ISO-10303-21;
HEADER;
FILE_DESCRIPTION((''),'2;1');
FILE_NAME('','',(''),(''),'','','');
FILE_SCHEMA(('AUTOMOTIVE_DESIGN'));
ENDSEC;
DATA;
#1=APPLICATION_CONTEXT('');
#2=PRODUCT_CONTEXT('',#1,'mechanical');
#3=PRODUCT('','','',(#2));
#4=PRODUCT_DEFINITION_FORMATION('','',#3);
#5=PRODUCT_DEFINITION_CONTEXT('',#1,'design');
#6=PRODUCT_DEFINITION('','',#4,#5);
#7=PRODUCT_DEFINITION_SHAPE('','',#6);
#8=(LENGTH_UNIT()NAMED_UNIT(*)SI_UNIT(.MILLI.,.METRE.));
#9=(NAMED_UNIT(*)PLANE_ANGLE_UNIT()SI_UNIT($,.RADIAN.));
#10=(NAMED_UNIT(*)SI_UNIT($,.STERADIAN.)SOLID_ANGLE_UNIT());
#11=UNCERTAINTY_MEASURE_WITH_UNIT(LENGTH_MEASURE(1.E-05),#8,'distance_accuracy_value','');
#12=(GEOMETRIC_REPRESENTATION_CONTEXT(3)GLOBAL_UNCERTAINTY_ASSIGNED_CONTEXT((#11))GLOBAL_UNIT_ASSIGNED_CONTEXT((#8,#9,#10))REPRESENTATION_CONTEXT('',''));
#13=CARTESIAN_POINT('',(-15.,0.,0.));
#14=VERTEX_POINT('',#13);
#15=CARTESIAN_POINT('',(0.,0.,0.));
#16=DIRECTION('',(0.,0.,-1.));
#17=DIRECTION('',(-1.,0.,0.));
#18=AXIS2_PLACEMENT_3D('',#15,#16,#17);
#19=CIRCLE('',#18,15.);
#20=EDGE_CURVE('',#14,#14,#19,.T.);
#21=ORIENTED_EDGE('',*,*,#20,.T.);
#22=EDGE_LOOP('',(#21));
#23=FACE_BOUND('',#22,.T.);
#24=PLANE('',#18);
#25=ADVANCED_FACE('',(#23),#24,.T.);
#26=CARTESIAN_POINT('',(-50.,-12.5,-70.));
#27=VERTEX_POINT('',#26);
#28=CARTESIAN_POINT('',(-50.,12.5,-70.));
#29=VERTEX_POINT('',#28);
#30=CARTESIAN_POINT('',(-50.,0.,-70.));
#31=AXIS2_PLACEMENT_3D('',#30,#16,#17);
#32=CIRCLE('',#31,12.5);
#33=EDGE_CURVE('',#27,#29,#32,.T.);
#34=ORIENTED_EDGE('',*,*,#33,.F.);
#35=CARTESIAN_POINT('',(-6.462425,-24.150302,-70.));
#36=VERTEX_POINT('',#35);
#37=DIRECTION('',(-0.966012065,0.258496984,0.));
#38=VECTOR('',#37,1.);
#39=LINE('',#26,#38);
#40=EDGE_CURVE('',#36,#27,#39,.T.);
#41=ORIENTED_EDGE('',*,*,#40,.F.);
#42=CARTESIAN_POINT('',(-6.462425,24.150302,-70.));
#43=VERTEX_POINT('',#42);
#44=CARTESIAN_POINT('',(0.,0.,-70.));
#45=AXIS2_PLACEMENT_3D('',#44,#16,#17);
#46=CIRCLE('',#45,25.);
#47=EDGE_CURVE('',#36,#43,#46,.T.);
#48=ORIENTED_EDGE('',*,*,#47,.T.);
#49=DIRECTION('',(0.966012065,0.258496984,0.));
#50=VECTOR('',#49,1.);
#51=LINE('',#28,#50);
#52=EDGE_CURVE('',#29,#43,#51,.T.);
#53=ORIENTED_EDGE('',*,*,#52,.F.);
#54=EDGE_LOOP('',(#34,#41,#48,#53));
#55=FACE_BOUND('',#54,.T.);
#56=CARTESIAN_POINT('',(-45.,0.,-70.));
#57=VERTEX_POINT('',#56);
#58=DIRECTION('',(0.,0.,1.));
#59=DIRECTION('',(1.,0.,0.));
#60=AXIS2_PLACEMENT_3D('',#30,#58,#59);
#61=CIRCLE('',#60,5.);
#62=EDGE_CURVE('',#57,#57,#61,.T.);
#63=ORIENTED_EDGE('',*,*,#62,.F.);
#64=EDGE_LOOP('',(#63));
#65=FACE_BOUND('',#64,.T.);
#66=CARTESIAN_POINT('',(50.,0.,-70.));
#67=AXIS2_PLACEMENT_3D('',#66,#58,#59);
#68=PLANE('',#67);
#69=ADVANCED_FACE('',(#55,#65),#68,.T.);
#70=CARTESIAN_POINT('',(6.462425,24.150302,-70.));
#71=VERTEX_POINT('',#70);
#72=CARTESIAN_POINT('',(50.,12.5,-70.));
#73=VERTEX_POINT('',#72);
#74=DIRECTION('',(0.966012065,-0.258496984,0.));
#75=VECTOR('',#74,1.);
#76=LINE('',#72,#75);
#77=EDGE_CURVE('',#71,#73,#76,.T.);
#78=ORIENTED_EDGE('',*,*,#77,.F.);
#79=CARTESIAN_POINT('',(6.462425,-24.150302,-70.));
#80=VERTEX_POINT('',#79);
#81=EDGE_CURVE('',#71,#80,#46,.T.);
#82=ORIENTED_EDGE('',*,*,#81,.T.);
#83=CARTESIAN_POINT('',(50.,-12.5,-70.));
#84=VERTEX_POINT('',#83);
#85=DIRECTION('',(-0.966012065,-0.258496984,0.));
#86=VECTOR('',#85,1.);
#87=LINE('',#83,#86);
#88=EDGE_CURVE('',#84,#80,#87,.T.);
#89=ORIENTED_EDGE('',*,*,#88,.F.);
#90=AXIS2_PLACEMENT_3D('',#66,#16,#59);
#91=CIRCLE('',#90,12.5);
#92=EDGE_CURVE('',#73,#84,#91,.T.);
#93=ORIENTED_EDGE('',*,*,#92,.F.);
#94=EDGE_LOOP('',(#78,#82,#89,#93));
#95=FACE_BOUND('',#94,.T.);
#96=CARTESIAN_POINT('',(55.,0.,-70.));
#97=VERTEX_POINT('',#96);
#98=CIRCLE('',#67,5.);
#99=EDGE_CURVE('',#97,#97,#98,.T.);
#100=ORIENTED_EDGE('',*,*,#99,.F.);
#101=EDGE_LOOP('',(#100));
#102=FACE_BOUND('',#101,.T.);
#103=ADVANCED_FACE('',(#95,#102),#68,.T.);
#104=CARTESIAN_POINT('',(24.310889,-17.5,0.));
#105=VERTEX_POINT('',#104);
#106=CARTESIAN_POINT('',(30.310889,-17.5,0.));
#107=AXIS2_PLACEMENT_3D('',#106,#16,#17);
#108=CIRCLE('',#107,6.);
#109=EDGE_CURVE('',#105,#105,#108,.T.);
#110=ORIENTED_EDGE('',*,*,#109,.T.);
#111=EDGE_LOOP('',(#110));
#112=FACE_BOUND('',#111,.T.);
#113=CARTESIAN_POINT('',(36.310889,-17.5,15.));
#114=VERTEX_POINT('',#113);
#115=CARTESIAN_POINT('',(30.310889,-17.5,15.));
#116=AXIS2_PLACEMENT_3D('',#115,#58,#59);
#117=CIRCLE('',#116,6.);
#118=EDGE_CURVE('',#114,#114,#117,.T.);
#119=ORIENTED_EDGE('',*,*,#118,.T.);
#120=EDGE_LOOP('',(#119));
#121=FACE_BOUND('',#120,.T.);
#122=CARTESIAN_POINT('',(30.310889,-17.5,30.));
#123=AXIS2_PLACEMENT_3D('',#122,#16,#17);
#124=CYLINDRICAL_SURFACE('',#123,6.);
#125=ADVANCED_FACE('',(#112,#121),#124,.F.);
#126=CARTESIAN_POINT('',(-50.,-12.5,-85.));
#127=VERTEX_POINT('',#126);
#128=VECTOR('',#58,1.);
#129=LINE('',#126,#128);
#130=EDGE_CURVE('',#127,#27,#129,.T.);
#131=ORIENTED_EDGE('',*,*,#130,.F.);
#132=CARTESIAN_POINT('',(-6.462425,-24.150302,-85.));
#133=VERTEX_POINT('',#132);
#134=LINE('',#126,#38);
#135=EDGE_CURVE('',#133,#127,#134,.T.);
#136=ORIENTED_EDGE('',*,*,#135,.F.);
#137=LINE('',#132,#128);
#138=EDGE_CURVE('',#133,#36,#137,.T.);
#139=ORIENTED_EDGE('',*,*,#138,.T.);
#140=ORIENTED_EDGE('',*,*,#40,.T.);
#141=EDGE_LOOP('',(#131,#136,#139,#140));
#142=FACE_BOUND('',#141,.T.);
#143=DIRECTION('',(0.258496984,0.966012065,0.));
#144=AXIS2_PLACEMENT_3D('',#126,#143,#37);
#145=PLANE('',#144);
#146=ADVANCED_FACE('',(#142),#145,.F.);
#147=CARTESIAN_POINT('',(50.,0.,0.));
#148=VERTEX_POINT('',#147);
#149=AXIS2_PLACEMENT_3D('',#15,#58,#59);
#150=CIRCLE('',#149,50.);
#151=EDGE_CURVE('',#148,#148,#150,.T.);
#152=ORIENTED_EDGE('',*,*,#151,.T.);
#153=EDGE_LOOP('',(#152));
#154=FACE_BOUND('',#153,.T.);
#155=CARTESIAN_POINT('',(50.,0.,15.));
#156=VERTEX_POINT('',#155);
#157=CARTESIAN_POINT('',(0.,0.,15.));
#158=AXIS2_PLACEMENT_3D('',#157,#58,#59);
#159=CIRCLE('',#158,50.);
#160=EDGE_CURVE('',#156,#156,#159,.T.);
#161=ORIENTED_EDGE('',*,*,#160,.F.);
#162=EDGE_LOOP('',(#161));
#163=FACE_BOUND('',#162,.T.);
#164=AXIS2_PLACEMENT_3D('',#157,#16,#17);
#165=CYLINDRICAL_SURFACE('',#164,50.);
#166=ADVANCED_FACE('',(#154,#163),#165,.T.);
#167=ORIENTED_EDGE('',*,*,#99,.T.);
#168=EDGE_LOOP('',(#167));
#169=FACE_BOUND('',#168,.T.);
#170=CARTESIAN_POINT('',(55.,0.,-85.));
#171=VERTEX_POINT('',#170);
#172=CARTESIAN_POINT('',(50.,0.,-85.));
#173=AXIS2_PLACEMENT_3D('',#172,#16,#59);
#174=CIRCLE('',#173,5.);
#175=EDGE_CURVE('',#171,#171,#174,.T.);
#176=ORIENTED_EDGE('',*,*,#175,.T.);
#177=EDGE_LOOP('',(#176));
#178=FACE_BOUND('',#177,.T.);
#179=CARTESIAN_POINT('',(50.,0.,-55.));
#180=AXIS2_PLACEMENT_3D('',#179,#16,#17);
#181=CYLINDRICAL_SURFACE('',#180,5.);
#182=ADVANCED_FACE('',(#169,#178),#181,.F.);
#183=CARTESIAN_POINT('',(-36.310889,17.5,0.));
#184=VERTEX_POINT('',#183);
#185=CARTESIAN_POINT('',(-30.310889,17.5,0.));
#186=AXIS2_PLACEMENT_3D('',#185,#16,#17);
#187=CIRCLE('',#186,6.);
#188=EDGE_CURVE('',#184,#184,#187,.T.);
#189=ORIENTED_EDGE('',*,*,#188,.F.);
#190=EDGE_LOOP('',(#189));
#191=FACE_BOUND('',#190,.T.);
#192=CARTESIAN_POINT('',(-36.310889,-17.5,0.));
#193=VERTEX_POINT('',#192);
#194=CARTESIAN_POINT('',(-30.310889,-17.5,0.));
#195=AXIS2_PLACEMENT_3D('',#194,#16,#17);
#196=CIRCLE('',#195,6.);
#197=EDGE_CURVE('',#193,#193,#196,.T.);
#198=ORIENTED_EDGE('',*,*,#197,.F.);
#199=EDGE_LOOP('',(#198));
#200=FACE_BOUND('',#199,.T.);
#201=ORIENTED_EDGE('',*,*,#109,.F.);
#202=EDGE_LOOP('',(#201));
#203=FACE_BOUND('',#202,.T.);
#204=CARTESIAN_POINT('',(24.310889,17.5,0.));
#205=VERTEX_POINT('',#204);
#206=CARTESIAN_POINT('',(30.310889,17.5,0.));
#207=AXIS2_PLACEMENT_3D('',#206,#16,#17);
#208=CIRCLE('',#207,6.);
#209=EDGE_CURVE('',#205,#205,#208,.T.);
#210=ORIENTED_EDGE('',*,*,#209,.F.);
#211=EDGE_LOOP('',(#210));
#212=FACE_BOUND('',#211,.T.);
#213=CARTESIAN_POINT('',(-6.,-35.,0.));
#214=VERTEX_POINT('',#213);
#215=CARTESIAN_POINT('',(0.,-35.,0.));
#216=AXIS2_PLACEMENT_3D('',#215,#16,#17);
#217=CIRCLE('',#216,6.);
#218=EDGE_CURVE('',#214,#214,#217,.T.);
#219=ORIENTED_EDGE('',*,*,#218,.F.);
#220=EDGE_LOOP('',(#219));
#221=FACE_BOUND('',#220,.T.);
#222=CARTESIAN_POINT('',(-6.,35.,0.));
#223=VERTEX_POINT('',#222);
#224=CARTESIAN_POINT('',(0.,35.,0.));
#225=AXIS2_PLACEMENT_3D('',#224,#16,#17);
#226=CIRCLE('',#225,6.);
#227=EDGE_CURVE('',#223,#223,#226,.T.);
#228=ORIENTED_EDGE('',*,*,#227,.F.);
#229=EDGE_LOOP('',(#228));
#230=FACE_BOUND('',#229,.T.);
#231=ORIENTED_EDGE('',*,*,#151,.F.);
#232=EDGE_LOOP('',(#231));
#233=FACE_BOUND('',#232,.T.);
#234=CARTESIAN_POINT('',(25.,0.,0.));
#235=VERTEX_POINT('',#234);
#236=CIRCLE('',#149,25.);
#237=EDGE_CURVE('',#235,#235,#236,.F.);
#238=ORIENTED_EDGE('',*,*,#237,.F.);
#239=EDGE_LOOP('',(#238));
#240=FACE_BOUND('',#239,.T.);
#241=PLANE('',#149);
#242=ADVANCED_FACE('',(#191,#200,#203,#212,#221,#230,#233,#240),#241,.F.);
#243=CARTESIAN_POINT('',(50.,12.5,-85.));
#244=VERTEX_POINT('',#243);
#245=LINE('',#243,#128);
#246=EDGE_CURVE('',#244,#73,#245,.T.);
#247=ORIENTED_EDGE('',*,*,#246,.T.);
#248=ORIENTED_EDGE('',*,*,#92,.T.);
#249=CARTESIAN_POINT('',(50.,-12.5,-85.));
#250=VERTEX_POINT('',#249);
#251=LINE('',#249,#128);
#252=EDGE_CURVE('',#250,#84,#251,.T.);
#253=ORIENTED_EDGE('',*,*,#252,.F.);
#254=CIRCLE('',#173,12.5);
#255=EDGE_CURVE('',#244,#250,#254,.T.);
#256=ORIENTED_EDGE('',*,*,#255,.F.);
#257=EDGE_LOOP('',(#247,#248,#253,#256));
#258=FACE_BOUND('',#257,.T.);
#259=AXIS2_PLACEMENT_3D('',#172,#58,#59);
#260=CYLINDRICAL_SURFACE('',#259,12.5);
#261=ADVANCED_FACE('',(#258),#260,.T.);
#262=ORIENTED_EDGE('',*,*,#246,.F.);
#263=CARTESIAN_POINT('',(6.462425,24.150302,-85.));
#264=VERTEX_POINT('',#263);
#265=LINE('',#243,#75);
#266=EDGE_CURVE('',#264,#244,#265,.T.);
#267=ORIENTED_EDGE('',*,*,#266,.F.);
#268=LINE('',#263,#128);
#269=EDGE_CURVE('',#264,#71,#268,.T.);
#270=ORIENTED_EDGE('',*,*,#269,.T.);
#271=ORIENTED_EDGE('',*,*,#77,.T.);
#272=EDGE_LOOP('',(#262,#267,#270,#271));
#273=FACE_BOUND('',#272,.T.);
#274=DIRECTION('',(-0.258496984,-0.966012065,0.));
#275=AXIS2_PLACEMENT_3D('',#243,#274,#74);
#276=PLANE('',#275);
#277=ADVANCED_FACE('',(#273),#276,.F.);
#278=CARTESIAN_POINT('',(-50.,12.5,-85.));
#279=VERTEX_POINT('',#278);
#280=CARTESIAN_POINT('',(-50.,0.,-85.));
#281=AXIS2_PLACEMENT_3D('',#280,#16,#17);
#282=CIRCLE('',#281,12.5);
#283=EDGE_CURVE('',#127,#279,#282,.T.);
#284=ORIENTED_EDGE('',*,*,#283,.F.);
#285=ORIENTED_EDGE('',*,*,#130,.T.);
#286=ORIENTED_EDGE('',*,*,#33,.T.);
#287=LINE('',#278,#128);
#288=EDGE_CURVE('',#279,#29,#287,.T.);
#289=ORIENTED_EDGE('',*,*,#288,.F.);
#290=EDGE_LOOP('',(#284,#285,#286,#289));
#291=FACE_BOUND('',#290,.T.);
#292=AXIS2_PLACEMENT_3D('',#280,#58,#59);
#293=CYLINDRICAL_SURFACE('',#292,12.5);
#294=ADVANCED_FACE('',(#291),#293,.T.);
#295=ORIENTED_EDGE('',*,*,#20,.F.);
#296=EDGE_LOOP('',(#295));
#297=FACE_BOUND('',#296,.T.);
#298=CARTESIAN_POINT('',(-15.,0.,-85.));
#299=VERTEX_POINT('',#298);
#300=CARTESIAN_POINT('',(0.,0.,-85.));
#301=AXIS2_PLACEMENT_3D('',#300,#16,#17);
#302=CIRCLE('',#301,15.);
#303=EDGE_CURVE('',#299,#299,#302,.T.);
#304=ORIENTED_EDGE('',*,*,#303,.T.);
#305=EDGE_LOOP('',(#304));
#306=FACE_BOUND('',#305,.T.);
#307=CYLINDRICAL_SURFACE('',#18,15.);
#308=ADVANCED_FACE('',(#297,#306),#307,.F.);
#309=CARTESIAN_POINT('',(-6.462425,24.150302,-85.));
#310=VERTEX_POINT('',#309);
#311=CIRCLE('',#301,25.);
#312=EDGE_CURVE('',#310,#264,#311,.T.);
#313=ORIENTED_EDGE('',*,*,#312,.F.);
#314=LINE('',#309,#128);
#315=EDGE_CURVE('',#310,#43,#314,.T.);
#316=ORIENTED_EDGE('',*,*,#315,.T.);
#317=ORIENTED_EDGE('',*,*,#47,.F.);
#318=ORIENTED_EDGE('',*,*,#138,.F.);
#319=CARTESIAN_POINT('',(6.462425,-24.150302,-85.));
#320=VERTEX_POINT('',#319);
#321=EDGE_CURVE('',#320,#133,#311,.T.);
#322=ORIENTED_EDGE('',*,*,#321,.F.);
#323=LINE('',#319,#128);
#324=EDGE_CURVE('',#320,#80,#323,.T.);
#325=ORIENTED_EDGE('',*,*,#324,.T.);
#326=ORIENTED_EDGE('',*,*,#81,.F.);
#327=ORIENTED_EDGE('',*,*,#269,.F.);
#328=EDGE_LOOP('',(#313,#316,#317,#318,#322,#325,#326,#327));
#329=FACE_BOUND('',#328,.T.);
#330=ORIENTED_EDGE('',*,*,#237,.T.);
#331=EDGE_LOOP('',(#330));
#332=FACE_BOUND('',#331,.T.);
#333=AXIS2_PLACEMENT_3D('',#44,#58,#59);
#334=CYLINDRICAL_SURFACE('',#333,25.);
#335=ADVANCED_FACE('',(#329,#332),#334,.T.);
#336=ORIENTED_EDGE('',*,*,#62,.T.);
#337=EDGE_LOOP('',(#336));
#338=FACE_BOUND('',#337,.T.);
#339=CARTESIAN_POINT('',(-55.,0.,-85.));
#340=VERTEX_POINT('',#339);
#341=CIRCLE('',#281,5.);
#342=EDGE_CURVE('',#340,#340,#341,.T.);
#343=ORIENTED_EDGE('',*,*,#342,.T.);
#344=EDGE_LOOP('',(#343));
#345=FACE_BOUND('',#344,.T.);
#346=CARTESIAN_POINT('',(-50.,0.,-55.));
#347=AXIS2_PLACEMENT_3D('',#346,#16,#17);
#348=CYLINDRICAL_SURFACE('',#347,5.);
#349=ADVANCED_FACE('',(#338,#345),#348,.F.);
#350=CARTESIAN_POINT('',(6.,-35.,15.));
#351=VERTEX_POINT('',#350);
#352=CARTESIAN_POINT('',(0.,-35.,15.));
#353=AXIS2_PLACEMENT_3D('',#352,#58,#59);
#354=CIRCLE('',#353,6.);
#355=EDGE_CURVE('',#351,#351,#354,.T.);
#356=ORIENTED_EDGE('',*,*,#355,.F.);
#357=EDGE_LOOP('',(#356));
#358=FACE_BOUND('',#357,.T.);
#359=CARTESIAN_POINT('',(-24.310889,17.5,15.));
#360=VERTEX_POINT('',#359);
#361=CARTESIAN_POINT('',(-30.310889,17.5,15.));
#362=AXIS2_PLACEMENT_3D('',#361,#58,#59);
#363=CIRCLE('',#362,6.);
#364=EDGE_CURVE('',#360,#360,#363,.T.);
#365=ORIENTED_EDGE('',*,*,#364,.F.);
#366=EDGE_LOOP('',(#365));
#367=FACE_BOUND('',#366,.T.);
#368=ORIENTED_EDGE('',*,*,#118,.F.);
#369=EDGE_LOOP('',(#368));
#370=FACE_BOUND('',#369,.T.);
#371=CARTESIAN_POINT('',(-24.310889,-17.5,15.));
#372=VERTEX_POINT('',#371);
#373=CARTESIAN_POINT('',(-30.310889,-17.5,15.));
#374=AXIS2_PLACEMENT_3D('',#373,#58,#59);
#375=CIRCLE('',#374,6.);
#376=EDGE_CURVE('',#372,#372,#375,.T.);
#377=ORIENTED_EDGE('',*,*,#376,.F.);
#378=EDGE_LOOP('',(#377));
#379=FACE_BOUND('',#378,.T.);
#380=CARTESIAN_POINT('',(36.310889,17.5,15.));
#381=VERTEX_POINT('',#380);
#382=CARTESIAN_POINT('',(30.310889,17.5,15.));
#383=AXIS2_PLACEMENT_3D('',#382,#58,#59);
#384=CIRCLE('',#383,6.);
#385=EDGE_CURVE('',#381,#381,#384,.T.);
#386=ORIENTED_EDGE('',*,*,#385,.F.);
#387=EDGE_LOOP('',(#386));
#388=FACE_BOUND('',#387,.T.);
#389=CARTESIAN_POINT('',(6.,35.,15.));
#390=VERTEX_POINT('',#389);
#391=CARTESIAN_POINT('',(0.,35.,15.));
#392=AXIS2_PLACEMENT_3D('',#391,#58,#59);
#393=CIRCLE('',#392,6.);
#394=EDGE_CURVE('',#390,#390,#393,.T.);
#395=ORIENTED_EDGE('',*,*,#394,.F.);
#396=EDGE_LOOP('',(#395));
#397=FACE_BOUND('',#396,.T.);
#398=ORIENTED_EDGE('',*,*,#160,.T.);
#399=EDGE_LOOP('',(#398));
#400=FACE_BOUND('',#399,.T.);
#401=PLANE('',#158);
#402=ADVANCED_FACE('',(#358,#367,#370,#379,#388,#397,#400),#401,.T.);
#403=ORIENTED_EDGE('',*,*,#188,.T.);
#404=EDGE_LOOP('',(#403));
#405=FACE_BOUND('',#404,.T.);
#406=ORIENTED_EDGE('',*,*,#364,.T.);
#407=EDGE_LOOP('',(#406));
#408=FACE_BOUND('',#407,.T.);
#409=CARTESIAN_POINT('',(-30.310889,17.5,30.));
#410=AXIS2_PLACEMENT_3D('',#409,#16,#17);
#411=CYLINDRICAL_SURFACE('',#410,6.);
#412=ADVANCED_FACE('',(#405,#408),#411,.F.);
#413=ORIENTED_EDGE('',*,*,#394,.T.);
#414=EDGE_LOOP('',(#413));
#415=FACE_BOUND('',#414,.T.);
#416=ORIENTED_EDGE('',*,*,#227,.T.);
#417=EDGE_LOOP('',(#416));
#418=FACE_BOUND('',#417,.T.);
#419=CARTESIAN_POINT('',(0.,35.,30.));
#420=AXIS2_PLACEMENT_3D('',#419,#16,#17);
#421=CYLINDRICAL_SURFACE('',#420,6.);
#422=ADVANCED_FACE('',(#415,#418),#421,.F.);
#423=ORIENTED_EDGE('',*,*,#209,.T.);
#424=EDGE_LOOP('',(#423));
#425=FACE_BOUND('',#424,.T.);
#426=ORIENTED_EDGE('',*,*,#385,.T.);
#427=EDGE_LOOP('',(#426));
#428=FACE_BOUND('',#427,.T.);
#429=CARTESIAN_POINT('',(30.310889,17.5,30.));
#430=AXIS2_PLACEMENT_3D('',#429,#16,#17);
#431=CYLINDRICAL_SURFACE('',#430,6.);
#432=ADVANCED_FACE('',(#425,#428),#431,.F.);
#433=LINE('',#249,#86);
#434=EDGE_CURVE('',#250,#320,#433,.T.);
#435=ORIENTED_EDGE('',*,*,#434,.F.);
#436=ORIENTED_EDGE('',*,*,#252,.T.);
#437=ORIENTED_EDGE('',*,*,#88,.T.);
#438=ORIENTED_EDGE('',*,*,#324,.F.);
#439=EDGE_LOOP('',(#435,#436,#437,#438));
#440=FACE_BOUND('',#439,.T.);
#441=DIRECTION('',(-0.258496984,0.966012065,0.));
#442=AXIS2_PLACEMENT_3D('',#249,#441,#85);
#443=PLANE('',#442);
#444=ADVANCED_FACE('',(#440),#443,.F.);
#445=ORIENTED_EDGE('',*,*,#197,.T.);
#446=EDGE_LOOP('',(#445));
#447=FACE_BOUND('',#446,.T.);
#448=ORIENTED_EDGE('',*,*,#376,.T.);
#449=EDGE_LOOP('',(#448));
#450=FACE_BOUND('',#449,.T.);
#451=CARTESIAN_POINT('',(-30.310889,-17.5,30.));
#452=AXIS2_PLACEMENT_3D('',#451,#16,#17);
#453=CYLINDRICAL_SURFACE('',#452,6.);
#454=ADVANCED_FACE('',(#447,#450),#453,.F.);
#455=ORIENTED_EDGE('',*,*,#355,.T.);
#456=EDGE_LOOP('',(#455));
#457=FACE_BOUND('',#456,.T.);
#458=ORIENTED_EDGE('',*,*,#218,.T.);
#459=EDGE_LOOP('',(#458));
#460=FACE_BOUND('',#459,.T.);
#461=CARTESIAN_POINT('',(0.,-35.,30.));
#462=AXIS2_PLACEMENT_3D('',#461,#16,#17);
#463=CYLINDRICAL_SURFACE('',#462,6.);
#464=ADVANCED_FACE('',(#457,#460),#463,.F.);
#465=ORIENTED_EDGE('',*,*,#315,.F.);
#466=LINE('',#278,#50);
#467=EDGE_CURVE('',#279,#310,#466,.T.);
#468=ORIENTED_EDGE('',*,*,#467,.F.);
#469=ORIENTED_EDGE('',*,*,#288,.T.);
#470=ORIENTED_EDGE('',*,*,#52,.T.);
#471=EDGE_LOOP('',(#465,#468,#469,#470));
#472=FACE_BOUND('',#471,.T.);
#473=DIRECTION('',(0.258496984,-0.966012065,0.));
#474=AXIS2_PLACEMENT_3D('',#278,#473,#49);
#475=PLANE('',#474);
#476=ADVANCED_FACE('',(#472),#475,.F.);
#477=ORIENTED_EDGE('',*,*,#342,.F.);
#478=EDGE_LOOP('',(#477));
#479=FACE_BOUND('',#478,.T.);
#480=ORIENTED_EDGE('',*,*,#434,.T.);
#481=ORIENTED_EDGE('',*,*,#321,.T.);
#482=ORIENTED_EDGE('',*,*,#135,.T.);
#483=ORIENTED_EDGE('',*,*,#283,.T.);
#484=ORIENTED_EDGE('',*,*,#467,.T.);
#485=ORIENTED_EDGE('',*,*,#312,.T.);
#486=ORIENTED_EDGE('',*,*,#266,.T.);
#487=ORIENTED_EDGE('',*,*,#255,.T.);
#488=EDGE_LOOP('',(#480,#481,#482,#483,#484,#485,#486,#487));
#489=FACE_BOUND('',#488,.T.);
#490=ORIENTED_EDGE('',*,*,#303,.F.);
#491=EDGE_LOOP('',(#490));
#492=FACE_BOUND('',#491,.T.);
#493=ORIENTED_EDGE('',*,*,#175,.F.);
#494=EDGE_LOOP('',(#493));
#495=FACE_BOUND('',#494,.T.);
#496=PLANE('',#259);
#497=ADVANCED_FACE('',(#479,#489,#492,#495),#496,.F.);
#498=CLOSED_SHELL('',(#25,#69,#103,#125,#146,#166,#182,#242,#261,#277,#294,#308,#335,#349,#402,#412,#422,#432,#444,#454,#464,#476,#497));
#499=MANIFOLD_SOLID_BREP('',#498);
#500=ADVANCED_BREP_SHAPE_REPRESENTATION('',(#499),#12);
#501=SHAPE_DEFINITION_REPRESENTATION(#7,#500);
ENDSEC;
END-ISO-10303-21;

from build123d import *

# Parameters (mm, degrees)
SKETCH1_R           = 50
BOSS_EXTRUDE1_DEPTH = 15
SKETCH2_R           = 25
BOSS_EXTRUDE2_DEPTH = 70
BOSS_EXTRUDE3_DEPTH = 15
SKETCH5_R           = 15
CUT_EXTRUDE1_DEPTH  = 85
SKETCH6_R           = 5
CUT_EXTRUDE2_DEPTH  = 30
SKETCH7_R           = 6
CUT_EXTRUDE3_DEPTH  = 30


with BuildPart() as part:
    # Sketch1 → Boss-Extrude1 (new body)
    with BuildSketch(Plane.XY):
        Circle(SKETCH1_R)
    extrude(amount=BOSS_EXTRUDE1_DEPTH)

    # Sketch2 → Boss-Extrude2 (add)
    with BuildSketch(Plane(origin=(0, 0, 0), x_dir=(-1, 0, 0), z_dir=(0, 0, -1))):
        Circle(SKETCH2_R)
    extrude(amount=BOSS_EXTRUDE2_DEPTH)

    # Sketch4 → Boss-Extrude3 (add)
    with BuildSketch(Plane(origin=(0, 0, -70), x_dir=(-1, 0, 0), z_dir=(0, 0, -1))):
        with BuildLine():
            Line((-50, 12.5), (-6.462424595, 24.15030162))
            ThreePointArc((-6.462424595, 24.15030162), (0, 25), (6.462424595, 24.15030162))
            Line((6.462424595, 24.15030162), (50, 12.5))
            ThreePointArc((50, 12.5), (62.5, 0), (50, -12.5))
            Line((50, -12.5), (6.462424595, -24.15030162))
            ThreePointArc((6.462424595, -24.15030162), (0, -25), (-6.462424595, -24.15030162))
            Line((-6.462424595, -24.15030162), (-50, -12.5))
            ThreePointArc((-50, -12.5), (-62.5, 0), (-50, 12.5))
        make_face()
    extrude(amount=BOSS_EXTRUDE3_DEPTH)

    # Sketch5 → Cut-Extrude1 (cut)
    with BuildSketch(Plane(origin=(0, 0, -85), x_dir=(-1, 0, 0), z_dir=(0, 0, -1))):
        Circle(SKETCH5_R)
    extrude(amount=-CUT_EXTRUDE1_DEPTH, mode=Mode.SUBTRACT)

    # Sketch6 → Cut-Extrude2 (cut)
    with BuildSketch(Plane(origin=(0, 0, -85), x_dir=(-1, 0, 0), z_dir=(0, 0, -1))):
        with Locations((50, 0)):
            Circle(SKETCH6_R)
        with Locations((-50, 0)):
            Circle(SKETCH6_R)
    extrude(amount=-CUT_EXTRUDE2_DEPTH, mode=Mode.SUBTRACT)

    # Sketch7 → Cut-Extrude3 (cut)
    with BuildSketch(Plane(origin=(0, 0, 0), x_dir=(-1, 0, 0), z_dir=(0, 0, -1))):
        with Locations((0, 35)):
            Circle(SKETCH7_R)
        with Locations((30.310889132, 17.5)):
            Circle(SKETCH7_R)
        with Locations((30.310889132, -17.5)):
            Circle(SKETCH7_R)
        with Locations((0, -35)):
            Circle(SKETCH7_R)
        with Locations((-30.310889132, -17.5)):
            Circle(SKETCH7_R)
        with Locations((-30.310889132, 17.5)):
            Circle(SKETCH7_R)
    extrude(amount=-CUT_EXTRUDE3_DEPTH, mode=Mode.SUBTRACT)


solid = part.part
